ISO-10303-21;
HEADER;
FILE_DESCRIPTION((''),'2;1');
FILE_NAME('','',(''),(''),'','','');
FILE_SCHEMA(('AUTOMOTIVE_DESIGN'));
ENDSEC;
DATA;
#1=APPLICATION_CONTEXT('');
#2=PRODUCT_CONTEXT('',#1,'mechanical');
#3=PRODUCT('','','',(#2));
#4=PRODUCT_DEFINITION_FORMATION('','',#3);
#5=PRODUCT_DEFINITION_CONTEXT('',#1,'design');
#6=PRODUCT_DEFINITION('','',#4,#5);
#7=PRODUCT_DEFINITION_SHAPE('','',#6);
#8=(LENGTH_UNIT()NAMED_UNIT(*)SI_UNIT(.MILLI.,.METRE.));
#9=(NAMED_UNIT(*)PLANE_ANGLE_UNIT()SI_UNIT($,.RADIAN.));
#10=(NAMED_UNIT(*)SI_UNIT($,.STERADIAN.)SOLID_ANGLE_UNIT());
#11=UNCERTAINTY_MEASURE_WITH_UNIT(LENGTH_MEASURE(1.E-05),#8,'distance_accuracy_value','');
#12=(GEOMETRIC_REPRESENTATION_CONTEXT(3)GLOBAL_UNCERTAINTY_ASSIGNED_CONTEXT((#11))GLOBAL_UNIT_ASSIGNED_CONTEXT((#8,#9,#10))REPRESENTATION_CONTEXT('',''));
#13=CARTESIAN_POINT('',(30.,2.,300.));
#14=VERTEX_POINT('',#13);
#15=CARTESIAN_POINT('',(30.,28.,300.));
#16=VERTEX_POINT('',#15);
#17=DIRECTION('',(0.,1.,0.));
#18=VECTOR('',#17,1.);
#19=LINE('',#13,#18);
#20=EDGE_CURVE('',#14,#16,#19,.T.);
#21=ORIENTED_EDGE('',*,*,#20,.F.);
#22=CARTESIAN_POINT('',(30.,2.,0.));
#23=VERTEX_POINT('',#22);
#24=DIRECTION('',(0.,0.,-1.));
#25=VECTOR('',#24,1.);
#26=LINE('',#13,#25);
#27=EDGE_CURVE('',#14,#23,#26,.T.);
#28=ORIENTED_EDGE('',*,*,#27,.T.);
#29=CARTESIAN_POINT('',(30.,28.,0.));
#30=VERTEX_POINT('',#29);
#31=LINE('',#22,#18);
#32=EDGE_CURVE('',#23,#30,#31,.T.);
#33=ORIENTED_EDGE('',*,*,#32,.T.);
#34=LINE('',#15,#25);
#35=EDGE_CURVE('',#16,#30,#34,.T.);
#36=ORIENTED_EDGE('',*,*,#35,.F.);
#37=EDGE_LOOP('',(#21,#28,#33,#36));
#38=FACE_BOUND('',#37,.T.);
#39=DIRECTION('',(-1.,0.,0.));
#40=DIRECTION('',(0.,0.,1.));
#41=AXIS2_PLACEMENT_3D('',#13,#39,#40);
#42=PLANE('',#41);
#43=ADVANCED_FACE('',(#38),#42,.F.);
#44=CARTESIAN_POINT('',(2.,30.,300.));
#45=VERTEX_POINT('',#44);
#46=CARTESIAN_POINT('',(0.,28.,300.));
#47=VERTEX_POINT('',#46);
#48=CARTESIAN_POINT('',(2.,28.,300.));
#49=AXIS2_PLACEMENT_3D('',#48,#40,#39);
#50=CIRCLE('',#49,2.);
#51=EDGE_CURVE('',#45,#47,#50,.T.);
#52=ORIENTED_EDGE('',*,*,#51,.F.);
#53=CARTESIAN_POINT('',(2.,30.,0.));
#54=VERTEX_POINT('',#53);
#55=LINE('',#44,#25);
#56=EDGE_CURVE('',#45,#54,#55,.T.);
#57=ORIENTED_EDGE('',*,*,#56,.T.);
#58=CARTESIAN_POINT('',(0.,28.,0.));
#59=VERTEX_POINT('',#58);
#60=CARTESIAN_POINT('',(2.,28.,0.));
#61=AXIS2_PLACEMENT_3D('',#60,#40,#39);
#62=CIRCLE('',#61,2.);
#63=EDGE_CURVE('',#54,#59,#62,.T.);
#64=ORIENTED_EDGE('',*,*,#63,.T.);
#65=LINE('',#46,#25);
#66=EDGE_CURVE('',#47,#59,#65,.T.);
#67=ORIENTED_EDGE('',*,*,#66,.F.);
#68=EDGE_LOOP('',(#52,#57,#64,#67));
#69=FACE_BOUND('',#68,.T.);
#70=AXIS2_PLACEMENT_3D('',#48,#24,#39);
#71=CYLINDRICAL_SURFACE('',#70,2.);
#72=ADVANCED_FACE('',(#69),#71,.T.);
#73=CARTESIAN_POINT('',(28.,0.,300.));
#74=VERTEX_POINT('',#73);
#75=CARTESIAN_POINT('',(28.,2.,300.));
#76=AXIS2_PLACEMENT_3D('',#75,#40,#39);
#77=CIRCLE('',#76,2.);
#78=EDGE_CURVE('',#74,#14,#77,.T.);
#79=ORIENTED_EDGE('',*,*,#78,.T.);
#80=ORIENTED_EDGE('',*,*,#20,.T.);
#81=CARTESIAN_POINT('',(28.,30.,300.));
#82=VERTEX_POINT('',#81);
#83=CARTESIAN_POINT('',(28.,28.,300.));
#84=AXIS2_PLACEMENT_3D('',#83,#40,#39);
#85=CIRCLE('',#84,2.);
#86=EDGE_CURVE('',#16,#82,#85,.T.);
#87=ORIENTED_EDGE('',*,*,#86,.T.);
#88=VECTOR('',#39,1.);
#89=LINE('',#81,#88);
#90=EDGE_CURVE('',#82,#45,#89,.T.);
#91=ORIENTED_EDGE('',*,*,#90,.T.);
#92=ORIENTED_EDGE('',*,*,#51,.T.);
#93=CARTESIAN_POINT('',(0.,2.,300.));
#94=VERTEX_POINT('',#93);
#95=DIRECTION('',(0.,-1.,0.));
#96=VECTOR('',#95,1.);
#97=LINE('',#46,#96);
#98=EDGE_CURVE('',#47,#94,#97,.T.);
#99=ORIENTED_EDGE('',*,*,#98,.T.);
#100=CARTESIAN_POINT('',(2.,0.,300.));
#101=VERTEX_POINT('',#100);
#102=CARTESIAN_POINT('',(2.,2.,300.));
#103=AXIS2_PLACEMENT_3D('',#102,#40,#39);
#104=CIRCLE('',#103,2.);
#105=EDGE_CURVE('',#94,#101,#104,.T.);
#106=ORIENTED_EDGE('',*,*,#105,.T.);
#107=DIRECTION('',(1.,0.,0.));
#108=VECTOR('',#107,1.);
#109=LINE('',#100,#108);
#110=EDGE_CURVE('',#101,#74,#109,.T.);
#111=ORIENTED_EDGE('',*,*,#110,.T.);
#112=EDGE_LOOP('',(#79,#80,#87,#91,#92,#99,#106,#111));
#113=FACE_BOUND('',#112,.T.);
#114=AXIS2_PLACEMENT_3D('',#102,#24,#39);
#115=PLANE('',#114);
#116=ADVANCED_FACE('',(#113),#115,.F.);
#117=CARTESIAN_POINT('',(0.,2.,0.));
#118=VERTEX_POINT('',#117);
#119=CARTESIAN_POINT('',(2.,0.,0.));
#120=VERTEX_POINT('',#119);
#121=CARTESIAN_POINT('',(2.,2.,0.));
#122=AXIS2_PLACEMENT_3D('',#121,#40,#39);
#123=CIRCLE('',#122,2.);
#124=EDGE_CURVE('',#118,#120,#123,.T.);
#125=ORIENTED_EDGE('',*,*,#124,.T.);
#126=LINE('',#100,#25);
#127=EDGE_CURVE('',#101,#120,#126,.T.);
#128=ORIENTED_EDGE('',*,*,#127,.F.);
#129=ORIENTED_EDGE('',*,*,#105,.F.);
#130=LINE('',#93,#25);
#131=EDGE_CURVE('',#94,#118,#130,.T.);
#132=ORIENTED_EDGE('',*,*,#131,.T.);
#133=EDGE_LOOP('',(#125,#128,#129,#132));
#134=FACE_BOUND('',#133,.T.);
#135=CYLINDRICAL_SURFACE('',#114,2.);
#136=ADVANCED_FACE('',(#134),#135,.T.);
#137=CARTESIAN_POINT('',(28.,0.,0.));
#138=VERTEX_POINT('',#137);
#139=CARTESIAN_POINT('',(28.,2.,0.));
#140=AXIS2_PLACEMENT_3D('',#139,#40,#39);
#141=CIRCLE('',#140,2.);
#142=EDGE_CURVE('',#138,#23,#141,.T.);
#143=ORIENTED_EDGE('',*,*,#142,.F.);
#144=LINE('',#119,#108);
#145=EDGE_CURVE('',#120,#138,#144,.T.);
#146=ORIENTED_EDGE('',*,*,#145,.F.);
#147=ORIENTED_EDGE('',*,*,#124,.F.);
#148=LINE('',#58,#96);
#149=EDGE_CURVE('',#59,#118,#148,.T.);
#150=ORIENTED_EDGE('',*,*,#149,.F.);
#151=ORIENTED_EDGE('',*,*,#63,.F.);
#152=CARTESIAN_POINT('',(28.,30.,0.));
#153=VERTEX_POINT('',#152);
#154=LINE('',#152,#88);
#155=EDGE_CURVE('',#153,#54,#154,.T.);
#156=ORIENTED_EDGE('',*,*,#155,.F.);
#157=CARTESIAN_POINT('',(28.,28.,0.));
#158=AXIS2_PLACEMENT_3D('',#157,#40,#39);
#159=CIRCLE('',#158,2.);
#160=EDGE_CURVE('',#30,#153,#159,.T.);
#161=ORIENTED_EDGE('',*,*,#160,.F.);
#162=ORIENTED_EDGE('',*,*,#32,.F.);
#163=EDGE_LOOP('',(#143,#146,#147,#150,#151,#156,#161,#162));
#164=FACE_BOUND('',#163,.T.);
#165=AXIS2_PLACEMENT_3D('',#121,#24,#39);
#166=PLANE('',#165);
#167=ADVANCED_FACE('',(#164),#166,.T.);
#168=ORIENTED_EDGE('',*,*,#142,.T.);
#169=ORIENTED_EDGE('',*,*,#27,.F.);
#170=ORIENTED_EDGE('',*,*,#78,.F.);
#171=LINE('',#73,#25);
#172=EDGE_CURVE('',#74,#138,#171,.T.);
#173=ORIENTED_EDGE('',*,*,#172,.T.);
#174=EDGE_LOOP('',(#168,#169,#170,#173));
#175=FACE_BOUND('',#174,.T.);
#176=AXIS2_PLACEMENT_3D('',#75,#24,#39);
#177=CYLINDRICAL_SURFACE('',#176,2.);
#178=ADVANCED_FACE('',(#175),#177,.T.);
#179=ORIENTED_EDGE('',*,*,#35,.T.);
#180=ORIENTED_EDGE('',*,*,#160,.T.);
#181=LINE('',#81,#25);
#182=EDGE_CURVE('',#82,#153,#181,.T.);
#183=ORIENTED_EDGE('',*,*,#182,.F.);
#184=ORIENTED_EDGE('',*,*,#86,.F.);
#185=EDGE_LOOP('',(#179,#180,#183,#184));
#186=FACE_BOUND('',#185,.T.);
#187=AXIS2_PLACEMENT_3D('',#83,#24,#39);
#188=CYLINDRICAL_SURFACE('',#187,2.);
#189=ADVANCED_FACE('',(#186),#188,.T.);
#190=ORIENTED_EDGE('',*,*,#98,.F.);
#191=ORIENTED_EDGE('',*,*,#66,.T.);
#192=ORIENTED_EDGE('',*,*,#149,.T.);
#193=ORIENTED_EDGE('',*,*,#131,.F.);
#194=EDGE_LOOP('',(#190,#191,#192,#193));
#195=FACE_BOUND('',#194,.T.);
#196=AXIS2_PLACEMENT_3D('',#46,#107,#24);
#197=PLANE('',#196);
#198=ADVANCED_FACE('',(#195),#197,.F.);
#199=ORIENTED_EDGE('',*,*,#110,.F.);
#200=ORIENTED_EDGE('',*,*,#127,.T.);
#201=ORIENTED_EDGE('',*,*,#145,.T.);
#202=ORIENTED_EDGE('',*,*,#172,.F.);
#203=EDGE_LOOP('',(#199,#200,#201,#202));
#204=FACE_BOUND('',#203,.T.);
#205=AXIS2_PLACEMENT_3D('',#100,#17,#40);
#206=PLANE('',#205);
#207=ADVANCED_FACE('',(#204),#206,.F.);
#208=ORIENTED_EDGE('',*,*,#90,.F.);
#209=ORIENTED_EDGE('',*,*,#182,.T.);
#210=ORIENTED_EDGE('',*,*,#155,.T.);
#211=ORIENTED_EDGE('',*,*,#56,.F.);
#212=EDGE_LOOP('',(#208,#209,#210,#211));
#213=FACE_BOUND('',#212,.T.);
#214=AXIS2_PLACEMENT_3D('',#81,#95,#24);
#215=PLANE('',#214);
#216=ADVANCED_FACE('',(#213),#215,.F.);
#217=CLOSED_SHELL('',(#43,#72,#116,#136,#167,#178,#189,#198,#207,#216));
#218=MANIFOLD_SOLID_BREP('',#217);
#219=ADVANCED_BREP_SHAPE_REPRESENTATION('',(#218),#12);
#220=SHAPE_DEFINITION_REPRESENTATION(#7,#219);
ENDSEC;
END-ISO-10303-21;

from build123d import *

# Parameters (mm, degrees)
BOSS_EXTRUDE1_DEPTH = 300


with BuildPart() as part:
    # Sketch3 → Boss-Extrude1 (new body)
    with BuildSketch(Plane.XY):
        with BuildLine():
            Line((2, 0), (28, 0))
            ThreePointArc((28, 0), (29.414213562, 0.585786438), (30, 2))
            Line((30, 2), (30, 28))
            ThreePointArc((30, 28), (29.414213562, 29.414213562), (28, 30))
            Line((28, 30), (2, 30))
            ThreePointArc((2, 30), (0.585786438, 29.414213562), (0, 28))
            Line((0, 28), (0, 2))
            ThreePointArc((0, 2), (0.585786438, 0.585786438), (2, 0))
        make_face()
    extrude(amount=BOSS_EXTRUDE1_DEPTH)


solid = part.part
